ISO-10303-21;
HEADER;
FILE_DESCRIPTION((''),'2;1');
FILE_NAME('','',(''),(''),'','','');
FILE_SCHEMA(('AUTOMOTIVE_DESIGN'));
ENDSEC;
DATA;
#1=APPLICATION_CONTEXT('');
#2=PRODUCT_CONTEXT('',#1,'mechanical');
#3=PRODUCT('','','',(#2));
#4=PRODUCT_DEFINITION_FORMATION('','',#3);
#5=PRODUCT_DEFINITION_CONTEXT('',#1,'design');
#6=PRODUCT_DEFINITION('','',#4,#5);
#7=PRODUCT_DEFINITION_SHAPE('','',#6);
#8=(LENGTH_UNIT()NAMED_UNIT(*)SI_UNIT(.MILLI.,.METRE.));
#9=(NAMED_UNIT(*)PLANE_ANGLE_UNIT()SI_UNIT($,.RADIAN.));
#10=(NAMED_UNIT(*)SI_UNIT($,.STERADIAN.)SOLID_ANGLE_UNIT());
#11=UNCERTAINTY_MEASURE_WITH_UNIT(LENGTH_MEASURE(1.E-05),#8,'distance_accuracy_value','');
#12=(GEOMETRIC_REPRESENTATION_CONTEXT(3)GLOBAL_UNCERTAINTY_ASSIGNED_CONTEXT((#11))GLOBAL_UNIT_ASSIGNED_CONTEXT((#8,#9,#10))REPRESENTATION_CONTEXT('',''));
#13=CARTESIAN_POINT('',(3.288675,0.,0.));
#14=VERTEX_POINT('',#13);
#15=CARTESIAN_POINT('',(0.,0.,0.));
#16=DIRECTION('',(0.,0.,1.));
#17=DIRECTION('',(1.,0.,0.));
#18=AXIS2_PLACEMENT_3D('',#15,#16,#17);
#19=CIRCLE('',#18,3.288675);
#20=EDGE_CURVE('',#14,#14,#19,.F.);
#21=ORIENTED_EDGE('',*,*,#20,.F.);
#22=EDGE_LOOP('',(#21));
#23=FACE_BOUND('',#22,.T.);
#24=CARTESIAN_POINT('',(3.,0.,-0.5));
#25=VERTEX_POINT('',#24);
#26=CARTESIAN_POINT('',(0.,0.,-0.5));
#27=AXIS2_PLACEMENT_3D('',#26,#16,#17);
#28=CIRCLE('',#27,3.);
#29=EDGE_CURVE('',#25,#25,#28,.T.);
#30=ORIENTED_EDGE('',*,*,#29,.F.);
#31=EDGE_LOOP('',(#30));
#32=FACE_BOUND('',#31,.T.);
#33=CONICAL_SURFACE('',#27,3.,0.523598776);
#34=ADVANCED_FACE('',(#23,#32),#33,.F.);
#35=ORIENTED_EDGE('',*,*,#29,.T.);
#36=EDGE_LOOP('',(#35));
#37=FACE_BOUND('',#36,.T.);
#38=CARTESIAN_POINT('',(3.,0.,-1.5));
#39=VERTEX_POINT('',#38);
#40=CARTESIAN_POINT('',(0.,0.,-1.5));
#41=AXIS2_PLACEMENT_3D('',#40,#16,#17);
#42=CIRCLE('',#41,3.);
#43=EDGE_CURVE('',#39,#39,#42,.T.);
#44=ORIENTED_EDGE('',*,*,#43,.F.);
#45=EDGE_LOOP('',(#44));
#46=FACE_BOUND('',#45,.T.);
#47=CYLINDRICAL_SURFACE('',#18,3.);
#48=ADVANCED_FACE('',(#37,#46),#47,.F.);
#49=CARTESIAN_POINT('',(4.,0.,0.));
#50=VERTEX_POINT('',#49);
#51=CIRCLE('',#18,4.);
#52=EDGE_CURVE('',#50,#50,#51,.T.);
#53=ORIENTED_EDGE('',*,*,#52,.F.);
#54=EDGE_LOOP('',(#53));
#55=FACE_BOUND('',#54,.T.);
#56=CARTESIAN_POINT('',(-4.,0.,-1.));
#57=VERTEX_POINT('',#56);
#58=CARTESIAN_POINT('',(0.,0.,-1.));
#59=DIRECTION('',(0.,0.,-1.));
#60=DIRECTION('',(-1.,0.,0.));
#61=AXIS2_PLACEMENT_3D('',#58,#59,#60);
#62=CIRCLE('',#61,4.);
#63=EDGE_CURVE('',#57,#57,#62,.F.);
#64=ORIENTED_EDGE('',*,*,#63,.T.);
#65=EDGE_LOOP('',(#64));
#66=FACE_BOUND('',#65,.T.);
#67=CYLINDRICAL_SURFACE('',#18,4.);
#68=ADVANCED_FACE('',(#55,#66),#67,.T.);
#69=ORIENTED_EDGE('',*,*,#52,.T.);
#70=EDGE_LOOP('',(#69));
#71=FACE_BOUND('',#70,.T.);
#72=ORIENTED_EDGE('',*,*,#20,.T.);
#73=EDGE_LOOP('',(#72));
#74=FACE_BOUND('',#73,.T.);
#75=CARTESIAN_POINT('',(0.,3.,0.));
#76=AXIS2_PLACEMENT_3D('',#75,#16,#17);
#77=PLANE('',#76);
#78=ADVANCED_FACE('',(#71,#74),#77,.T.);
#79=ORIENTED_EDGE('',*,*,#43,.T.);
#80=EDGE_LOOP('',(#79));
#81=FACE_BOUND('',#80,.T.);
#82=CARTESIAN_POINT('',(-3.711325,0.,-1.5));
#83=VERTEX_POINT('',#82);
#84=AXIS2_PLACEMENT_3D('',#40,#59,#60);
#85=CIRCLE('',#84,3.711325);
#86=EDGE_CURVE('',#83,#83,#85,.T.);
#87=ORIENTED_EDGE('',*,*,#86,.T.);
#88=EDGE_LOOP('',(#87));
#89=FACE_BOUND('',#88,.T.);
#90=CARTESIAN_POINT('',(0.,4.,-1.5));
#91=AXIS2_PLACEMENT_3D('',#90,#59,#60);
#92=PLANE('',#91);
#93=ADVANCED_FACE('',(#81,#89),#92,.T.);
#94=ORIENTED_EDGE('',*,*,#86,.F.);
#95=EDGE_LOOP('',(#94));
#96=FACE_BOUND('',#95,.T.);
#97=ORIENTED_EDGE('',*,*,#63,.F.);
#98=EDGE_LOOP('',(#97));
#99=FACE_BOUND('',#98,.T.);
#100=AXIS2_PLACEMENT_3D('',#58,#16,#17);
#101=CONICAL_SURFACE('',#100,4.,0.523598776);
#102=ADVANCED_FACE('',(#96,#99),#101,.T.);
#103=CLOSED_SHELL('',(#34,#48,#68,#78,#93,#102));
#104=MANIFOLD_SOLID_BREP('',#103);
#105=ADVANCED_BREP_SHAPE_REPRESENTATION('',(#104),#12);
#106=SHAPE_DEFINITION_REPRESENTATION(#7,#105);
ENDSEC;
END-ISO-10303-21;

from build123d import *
from OCP.BRepFilletAPI import BRepFilletAPI_MakeChamfer

# Parameters (mm, degrees)
SKETCH_1_W      = 1.5
SKETCH_1_H      = 1
CHAMFER_1_SIZE  = 0.5
CHAMFER_1_SIZE2 = 0.288675135


with BuildPart() as part:
    # ｽｹｯﾁ1 → 回転-薄板1 (revolve)
    with BuildSketch(Plane(origin=(0, 0, 0), x_dir=(0, 0, -1), z_dir=(1, 0, 0)), mode=Mode.PRIVATE) as revolve_1_sk:
        with Locations((0.75, 3.5)):
            Rectangle(SKETCH_1_W, SKETCH_1_H)
    revolve(revolve_1_sk.sketch.rotate(Axis((0, 0, 0), (0, 0, -1)), 90), axis=Axis((0, 0, 0), (0, 0, -1)))

    # 面取り1: one chamfer whose edges measure the first distance from different faces: ONE call of the kernel's chamfer builder (chamfer() names one face for all edges)
    chamfer_1_edges_1 = [part.edges().sort_by_distance(p)[0] for p in [
        (-4, 0, -1.5),
    ]]
    chamfer_1_side_1 = [part.faces().sort_by_distance(p)[0] for p in [
        (-4, 0, -0.75),
    ]]
    chamfer_1_edges_2 = [part.edges().sort_by_distance(p)[0] for p in [
        (-3, 0, 0),
    ]]
    chamfer_1_side_2 = [part.faces().sort_by_distance(p)[0] for p in [
        (-3, 0, -0.75),
    ]]
    chamfer_1 = BRepFilletAPI_MakeChamfer(part.part.solid().wrapped)
    for e in chamfer_1_edges_1:
        chamfer_1.Add(CHAMFER_1_SIZE, CHAMFER_1_SIZE2, e.wrapped, chamfer_1_side_1[0].wrapped)  # the first distance lies on this face
    for e in chamfer_1_edges_2:
        chamfer_1.Add(CHAMFER_1_SIZE, CHAMFER_1_SIZE2, e.wrapped, chamfer_1_side_2[0].wrapped)  # the first distance lies on this face
    add(Compound.cast(chamfer_1.Shape()), mode=Mode.REPLACE)


solid = part.part
